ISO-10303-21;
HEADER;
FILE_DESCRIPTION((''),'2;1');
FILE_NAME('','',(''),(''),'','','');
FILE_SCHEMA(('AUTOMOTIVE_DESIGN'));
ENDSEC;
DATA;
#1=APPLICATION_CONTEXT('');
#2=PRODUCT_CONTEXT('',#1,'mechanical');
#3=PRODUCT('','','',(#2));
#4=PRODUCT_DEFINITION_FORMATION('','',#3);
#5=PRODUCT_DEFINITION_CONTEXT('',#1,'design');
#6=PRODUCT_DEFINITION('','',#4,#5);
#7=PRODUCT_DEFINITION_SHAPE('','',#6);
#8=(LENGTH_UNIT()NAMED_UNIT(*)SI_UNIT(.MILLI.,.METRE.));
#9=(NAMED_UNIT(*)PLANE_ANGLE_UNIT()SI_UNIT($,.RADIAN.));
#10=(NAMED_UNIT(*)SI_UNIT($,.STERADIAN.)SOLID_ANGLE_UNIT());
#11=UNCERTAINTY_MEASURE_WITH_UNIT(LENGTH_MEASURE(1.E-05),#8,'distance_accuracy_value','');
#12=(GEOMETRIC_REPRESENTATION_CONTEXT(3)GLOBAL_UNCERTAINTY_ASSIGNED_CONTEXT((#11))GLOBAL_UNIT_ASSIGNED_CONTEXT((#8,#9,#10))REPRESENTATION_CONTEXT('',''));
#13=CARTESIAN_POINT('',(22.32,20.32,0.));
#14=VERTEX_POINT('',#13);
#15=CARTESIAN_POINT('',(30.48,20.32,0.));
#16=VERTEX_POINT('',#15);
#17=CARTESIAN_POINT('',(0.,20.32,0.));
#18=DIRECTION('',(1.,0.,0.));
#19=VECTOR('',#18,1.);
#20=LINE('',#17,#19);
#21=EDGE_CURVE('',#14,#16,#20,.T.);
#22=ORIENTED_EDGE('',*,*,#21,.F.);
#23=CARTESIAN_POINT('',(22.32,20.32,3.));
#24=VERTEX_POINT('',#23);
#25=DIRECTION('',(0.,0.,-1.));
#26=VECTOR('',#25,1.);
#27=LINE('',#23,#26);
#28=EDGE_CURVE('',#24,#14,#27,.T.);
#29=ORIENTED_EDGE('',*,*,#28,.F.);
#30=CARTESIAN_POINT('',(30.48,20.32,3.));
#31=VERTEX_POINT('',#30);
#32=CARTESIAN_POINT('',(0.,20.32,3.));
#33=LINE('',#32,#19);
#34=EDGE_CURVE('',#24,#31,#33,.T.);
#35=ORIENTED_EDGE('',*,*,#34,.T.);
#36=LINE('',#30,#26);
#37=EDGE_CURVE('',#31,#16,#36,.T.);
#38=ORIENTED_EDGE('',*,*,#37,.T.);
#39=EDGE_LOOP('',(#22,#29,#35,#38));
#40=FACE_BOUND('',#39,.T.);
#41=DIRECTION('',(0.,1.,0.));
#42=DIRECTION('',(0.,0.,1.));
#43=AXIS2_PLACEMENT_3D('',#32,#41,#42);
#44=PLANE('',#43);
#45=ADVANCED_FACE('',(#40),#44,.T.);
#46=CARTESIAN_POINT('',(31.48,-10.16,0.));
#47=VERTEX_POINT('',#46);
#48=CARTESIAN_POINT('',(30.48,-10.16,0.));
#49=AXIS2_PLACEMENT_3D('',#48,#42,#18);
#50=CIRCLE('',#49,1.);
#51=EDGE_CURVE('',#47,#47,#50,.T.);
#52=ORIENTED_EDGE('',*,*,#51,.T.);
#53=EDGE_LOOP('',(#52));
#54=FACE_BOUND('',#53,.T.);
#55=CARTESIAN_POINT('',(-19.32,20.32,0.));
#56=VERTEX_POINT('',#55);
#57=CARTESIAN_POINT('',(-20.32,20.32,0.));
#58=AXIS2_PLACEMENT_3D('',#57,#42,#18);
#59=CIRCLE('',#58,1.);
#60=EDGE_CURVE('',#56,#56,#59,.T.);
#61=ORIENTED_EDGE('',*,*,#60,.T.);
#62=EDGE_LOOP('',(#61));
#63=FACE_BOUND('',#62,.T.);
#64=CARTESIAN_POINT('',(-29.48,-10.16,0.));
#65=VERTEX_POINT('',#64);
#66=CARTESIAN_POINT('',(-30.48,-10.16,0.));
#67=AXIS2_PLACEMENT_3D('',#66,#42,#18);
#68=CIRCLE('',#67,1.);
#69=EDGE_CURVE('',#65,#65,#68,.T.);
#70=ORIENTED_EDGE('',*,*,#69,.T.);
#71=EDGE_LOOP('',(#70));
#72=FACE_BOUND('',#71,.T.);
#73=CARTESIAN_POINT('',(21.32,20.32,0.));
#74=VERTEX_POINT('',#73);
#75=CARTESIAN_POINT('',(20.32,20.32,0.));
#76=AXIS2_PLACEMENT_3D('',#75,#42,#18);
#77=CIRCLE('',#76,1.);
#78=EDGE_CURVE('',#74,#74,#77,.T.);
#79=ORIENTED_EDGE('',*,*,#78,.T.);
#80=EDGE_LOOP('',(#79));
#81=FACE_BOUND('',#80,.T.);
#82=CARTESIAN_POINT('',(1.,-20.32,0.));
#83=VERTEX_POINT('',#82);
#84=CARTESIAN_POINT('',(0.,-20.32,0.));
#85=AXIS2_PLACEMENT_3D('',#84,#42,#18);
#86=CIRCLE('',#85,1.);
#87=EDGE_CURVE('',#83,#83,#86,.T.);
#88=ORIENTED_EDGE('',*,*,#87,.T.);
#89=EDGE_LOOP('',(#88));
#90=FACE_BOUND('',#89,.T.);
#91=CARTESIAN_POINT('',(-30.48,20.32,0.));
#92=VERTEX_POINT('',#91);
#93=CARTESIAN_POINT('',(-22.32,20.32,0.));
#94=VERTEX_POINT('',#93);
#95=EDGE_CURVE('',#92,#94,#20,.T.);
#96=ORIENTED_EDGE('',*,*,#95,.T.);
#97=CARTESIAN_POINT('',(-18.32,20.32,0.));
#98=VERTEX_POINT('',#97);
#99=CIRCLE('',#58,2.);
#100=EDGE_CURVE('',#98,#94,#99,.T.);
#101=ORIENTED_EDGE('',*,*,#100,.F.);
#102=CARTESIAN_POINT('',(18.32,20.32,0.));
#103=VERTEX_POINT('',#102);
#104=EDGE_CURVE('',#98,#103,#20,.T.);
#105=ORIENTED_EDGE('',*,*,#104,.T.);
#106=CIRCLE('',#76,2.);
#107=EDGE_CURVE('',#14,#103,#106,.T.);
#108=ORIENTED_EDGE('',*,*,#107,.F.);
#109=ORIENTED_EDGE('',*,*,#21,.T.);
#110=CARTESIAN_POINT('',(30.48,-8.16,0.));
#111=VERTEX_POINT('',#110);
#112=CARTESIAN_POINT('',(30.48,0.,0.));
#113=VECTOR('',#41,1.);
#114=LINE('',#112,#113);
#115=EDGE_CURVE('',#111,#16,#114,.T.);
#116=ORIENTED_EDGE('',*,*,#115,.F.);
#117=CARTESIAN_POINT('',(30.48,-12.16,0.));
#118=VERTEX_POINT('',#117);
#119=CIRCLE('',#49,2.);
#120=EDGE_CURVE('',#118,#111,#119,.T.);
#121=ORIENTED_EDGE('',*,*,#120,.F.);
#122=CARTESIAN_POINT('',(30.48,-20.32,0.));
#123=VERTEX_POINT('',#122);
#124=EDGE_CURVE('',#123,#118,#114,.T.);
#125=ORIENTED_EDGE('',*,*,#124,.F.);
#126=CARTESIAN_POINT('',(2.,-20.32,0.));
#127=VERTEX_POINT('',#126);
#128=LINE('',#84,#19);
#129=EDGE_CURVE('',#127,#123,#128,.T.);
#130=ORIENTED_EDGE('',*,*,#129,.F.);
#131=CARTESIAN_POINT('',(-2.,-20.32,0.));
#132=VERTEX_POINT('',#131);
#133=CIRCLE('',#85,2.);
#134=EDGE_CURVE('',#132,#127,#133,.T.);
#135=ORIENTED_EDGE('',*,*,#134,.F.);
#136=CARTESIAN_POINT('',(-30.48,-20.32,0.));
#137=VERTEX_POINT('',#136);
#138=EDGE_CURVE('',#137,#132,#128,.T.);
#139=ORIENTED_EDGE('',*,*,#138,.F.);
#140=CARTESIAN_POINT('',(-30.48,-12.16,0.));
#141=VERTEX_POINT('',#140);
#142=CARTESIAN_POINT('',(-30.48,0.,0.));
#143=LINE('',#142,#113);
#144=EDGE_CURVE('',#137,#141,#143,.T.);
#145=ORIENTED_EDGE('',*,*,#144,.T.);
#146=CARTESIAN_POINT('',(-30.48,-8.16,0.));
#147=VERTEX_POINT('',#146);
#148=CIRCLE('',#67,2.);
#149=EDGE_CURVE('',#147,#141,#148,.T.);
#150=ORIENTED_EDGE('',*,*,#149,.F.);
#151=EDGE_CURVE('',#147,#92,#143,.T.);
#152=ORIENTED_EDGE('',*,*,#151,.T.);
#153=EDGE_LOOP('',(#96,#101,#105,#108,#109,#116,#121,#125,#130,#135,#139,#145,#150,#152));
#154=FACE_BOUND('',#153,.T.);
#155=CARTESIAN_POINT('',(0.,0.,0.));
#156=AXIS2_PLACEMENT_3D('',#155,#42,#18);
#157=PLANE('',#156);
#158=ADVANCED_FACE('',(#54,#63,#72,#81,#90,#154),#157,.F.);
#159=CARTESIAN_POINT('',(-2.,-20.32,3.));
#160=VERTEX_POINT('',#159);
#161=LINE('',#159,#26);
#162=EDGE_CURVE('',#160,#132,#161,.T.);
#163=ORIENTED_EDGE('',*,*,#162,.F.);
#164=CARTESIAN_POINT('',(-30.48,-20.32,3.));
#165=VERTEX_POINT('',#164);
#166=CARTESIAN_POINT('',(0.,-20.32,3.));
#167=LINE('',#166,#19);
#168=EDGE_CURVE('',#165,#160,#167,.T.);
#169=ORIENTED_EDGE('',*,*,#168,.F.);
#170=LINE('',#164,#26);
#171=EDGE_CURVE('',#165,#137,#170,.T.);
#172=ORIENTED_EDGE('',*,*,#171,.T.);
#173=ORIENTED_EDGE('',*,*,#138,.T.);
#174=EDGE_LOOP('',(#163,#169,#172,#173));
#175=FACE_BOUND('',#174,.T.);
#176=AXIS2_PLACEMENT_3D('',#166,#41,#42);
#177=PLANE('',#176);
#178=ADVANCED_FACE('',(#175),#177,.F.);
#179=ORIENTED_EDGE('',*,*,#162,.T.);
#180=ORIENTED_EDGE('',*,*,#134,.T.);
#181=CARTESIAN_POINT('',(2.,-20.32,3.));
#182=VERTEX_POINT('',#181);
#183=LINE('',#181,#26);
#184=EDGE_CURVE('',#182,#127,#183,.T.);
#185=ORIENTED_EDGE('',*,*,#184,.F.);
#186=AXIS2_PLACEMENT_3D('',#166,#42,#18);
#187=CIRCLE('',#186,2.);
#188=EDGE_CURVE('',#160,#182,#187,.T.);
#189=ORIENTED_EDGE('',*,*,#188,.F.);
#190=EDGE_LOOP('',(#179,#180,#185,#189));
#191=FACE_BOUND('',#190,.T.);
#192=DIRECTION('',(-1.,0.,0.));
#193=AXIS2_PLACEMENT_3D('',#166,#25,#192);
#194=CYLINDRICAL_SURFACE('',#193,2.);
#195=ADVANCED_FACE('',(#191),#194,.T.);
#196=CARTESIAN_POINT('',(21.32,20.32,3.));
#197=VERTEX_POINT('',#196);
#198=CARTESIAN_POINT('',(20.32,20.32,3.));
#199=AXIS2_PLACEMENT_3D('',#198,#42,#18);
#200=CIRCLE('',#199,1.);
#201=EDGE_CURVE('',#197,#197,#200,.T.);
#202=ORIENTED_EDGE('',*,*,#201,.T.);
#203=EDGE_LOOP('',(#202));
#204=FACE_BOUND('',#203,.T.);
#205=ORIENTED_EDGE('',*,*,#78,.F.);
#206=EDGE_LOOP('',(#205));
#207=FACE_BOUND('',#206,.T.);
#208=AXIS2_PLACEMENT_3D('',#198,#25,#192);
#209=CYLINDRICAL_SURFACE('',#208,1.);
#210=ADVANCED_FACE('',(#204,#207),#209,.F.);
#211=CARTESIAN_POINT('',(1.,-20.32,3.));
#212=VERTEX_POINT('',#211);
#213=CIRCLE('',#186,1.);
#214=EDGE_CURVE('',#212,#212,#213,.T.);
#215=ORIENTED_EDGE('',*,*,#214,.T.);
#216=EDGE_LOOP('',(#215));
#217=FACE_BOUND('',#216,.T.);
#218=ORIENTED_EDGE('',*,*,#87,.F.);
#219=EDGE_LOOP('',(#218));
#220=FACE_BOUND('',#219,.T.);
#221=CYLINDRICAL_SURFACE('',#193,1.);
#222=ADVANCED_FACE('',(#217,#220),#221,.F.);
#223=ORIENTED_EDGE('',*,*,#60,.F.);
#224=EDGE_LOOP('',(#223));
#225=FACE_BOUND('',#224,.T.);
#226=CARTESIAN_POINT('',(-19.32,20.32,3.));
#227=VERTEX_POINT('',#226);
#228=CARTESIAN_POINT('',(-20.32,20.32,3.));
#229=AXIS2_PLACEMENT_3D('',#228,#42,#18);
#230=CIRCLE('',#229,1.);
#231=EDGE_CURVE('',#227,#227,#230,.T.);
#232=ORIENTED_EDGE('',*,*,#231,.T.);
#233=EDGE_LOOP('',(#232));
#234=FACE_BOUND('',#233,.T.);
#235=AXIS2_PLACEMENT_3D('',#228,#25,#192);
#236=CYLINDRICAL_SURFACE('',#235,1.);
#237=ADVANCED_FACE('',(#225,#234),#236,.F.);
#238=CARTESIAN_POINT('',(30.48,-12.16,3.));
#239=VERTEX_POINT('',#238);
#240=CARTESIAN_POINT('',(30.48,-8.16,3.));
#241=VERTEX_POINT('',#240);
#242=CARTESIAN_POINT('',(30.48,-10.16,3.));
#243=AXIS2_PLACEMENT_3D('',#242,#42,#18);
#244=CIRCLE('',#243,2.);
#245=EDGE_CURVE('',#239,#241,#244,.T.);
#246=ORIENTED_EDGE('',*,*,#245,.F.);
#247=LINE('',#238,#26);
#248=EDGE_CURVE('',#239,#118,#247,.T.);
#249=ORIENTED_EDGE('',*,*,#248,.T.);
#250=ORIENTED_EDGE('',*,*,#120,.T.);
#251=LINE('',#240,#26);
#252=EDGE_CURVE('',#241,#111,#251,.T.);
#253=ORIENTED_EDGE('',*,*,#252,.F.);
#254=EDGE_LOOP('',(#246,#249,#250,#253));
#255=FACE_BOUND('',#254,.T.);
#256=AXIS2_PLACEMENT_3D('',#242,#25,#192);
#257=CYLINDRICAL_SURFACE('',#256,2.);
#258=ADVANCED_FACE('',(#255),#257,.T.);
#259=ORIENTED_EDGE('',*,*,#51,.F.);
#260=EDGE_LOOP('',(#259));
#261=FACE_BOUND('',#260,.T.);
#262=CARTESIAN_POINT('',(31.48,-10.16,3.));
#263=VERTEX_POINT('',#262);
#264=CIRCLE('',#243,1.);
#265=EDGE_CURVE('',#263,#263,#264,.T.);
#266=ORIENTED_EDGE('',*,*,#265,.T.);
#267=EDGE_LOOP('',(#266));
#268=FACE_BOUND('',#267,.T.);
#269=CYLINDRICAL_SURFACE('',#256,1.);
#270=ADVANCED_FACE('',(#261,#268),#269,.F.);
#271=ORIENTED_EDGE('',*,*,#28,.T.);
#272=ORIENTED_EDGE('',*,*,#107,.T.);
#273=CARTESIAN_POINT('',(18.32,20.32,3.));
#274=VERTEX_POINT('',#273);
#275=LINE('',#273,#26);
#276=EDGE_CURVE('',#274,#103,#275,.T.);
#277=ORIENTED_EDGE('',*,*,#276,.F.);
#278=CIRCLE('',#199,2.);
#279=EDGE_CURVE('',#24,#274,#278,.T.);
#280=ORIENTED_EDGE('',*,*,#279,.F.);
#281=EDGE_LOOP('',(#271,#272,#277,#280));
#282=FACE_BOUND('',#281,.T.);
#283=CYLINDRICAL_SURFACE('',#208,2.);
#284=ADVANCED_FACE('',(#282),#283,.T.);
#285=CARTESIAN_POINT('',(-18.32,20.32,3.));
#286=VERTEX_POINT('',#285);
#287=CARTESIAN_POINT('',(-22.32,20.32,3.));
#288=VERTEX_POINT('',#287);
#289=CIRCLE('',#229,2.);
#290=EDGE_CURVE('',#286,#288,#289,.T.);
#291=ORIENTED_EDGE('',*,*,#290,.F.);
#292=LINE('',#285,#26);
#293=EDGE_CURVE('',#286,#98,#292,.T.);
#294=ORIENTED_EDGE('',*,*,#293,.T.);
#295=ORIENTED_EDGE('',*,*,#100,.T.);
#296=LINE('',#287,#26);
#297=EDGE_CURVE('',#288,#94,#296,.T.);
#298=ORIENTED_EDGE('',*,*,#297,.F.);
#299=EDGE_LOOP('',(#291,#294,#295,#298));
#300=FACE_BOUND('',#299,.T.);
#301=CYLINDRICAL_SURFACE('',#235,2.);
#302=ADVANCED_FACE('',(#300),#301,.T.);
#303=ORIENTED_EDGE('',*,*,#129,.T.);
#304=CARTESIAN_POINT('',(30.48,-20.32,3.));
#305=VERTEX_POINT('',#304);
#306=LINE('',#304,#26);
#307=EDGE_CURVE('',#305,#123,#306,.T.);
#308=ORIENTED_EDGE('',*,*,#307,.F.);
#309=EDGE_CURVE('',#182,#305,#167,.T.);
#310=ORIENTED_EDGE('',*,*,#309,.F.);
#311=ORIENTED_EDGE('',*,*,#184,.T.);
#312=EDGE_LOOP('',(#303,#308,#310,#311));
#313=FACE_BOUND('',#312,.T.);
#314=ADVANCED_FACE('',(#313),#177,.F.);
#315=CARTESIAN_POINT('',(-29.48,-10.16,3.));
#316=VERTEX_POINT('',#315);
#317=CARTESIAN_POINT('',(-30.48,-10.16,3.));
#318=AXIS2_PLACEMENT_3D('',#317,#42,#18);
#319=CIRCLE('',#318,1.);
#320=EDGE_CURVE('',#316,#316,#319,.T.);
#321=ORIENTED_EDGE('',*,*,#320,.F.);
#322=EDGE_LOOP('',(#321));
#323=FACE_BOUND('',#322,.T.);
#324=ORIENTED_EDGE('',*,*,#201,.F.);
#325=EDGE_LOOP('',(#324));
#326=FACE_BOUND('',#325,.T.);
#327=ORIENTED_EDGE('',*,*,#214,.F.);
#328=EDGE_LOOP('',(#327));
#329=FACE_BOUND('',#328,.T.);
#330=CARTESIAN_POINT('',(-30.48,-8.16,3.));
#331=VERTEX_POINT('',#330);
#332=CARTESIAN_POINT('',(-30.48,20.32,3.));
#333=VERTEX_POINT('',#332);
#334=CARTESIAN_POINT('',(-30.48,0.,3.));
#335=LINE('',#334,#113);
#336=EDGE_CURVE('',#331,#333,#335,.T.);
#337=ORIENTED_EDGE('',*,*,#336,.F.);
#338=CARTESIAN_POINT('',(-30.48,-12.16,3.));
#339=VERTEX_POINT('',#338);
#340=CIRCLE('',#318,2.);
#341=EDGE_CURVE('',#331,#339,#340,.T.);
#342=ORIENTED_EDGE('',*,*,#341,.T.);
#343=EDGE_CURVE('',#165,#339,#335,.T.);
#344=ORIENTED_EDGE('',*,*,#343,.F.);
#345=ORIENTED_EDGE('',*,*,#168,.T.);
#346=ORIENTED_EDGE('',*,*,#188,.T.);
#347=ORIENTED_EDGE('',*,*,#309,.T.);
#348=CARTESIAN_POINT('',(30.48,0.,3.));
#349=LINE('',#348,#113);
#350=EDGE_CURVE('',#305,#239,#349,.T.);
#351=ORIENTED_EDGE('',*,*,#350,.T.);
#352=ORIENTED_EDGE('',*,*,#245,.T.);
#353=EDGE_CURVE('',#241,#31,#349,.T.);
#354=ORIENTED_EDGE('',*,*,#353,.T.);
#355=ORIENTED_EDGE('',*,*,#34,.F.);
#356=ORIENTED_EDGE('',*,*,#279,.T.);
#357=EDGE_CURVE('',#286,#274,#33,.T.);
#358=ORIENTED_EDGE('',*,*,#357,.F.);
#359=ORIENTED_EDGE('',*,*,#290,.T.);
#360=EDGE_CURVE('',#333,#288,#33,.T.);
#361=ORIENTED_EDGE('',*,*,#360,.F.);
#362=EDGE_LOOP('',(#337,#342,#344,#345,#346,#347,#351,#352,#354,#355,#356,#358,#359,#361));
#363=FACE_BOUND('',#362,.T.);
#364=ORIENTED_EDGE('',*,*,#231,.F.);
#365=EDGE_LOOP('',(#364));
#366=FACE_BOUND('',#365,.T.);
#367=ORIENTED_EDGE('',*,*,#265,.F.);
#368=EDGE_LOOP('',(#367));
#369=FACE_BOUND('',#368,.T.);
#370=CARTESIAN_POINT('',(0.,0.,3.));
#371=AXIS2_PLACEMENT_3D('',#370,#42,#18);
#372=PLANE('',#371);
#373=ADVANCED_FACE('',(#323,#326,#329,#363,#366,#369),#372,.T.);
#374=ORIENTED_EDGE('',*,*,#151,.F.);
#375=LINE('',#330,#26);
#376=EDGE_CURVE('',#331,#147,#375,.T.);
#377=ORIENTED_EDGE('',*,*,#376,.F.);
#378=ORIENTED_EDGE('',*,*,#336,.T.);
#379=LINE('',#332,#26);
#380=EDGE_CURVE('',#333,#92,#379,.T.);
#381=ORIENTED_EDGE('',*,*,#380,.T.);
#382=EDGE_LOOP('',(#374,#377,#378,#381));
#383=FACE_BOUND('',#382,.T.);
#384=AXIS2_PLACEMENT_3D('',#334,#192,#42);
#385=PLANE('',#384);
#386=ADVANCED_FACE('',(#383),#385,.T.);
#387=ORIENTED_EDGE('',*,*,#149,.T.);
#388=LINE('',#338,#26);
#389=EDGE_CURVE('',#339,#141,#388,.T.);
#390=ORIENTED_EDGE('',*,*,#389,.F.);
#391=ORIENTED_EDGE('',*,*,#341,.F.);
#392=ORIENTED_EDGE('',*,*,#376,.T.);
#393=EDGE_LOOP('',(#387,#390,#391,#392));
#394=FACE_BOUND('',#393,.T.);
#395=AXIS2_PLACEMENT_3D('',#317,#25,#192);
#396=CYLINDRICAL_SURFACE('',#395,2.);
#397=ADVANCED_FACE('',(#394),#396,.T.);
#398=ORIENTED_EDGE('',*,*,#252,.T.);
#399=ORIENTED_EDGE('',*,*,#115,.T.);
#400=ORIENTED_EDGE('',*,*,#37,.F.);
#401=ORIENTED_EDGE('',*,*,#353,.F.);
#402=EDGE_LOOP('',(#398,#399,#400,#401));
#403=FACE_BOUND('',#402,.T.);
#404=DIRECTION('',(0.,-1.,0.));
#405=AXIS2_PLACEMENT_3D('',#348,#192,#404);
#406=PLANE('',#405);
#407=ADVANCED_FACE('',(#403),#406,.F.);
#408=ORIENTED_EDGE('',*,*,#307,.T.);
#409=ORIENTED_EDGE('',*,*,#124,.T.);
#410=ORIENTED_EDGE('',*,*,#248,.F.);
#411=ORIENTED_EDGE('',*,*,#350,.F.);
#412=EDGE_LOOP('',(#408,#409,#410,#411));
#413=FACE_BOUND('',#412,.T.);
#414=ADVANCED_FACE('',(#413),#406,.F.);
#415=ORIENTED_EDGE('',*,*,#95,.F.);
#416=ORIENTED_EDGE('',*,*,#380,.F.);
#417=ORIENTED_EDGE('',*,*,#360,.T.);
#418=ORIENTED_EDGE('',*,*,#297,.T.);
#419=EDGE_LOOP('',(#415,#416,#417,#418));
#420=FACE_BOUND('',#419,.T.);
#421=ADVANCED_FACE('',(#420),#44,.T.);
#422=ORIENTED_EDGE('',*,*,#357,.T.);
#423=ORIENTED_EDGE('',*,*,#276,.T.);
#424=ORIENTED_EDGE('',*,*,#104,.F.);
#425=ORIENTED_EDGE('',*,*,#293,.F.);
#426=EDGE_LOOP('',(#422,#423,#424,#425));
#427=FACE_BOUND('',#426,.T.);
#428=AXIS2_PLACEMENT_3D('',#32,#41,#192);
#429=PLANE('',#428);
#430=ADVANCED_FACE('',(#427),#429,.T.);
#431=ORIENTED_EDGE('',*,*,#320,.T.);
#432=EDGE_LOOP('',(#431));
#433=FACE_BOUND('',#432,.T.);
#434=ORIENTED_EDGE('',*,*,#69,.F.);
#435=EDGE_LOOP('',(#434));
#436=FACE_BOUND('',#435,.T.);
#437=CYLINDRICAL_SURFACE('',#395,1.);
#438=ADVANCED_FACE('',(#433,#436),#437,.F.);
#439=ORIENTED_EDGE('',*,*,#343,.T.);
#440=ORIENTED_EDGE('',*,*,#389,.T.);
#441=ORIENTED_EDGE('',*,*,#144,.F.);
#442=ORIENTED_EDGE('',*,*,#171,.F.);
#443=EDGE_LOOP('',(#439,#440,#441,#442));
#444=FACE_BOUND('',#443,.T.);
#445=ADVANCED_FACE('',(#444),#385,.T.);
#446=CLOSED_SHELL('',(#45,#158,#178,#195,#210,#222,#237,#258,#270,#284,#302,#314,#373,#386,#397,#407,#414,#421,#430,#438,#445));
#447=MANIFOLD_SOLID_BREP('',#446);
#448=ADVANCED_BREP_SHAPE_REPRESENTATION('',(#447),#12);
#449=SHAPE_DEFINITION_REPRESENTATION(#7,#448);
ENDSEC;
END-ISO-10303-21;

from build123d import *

# Parameters (mm, degrees)
ESQUISSE1_R        = 1
BOSS_EXTRU_2_DEPTH = 3


with BuildPart() as part:
    # Esquisse1 → Boss.-Extru.2 (new body)
    with BuildSketch(Plane.XY):
        with BuildLine():
            Line((30.48, -20.32), (30.48, -12.16))
            ThreePointArc((30.48, -12.16), (32.48, -10.16), (30.48, -8.16))
            Line((30.48, -8.16), (30.48, 20.32))
            Line((30.48, 20.32), (22.32, 20.32))
            ThreePointArc((22.32, 20.32), (20.32, 22.32), (18.32, 20.32))
            Line((18.32, 20.32), (-18.32, 20.32))
            ThreePointArc((-18.32, 20.32), (-20.32, 22.32), (-22.32, 20.32))
            Line((-22.32, 20.32), (-30.48, 20.32))
            Line((-30.48, 20.32), (-30.48, -8.16))
            ThreePointArc((-30.48, -8.16), (-32.48, -10.16), (-30.48, -12.16))
            Line((-30.48, -12.16), (-30.48, -20.32))
            Line((-30.48, -20.32), (-2, -20.32))
            ThreePointArc((-2, -20.32), (0, -22.32), (2, -20.32))
            Line((2, -20.32), (30.48, -20.32))
        make_face()
        with Locations((-30.48, -10.16)):
            Circle(ESQUISSE1_R, mode=Mode.SUBTRACT)
        with Locations((0, -20.32)):
            Circle(ESQUISSE1_R, mode=Mode.SUBTRACT)
        with Locations((30.48, -10.16)):
            Circle(ESQUISSE1_R, mode=Mode.SUBTRACT)
        with Locations((20.32, 20.32)):
            Circle(ESQUISSE1_R, mode=Mode.SUBTRACT)
        with Locations((-20.32, 20.32)):
            Circle(ESQUISSE1_R, mode=Mode.SUBTRACT)
    extrude(amount=BOSS_EXTRU_2_DEPTH)


solid = part.part
